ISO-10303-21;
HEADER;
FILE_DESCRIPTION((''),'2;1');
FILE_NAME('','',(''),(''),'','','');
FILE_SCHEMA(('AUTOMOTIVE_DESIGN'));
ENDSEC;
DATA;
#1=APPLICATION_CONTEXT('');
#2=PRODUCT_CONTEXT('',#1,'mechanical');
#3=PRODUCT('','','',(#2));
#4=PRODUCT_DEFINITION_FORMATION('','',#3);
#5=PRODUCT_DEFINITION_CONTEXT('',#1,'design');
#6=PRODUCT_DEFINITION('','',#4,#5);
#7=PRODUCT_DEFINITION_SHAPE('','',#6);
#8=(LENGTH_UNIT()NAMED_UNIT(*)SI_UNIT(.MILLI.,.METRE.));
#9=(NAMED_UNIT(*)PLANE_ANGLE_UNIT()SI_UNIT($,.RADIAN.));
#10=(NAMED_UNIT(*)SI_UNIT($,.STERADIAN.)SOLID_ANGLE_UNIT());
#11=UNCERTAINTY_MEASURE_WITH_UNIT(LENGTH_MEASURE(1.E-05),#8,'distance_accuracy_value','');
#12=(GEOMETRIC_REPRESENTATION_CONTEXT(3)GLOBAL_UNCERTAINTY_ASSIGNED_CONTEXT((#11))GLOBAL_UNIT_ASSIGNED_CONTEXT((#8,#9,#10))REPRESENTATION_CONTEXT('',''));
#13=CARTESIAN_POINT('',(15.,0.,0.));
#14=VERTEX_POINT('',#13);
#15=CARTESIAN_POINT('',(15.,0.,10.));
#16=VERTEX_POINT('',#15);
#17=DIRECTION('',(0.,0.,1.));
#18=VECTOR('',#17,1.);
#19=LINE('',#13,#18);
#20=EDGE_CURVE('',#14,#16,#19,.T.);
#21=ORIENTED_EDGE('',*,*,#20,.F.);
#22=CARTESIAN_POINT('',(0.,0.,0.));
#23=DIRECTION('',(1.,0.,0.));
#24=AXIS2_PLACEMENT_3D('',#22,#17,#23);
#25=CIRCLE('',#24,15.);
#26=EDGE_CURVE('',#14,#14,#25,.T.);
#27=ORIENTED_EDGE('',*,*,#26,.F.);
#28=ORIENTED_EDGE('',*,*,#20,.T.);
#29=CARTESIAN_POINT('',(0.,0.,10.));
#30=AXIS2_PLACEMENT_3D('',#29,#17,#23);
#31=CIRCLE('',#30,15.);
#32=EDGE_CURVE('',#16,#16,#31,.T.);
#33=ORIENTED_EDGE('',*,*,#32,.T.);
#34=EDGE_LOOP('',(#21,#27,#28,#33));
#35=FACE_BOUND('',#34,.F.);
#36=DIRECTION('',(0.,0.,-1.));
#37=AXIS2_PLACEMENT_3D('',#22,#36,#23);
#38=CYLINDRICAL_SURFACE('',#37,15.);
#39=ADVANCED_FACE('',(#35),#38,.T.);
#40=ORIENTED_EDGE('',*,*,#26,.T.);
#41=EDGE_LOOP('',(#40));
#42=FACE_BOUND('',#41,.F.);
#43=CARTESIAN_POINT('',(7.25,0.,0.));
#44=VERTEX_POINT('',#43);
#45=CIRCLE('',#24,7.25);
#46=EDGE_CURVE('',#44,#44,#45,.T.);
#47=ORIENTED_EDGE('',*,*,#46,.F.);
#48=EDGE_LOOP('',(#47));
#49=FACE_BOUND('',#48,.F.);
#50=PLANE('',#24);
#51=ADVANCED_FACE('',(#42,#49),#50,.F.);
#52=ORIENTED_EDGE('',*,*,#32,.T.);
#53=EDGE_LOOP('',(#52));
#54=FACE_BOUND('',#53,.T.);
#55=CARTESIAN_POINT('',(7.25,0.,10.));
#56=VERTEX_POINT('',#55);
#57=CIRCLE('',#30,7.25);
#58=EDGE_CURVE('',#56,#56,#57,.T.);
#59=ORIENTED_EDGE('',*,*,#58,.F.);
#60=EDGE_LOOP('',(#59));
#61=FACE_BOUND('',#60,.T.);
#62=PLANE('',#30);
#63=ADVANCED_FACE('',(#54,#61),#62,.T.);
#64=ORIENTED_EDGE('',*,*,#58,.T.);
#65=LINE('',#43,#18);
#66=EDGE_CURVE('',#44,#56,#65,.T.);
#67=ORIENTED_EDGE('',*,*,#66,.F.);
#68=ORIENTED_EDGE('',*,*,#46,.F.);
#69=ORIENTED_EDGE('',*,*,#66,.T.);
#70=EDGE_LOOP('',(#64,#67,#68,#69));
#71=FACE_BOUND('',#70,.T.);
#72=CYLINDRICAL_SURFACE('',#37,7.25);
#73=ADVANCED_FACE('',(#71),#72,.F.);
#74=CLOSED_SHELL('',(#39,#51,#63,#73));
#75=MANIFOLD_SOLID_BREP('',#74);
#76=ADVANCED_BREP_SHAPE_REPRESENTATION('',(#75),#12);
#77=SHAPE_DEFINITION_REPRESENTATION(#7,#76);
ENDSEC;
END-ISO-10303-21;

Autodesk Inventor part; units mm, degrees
ref_plane "YZ Plane" through (0, 0, 0) normal (1, 0, 0) x (0, 1, 0)
ref_plane "XZ Plane" through (0, 0, 0) normal (0, 1, 0) x (-1, 0, 0)
ref_plane "XY Plane" through (0, 0, 0) normal (0, 0, 1) x (1, 0, 0)
sketch "Sketch1" plane through (0, 0, 0) normal (0, 0, 1) x (1, 0, 0)
  circle A0 centre (0, 0) radius 7.25
  circle A1 centre (0, 0) radius 15
  dimension "d0" = 14.5
  dimension "d1" = 30
extrude "Extrusion1" add sketch "Sketch1" along normal blind 10
properties part number "rubber"
